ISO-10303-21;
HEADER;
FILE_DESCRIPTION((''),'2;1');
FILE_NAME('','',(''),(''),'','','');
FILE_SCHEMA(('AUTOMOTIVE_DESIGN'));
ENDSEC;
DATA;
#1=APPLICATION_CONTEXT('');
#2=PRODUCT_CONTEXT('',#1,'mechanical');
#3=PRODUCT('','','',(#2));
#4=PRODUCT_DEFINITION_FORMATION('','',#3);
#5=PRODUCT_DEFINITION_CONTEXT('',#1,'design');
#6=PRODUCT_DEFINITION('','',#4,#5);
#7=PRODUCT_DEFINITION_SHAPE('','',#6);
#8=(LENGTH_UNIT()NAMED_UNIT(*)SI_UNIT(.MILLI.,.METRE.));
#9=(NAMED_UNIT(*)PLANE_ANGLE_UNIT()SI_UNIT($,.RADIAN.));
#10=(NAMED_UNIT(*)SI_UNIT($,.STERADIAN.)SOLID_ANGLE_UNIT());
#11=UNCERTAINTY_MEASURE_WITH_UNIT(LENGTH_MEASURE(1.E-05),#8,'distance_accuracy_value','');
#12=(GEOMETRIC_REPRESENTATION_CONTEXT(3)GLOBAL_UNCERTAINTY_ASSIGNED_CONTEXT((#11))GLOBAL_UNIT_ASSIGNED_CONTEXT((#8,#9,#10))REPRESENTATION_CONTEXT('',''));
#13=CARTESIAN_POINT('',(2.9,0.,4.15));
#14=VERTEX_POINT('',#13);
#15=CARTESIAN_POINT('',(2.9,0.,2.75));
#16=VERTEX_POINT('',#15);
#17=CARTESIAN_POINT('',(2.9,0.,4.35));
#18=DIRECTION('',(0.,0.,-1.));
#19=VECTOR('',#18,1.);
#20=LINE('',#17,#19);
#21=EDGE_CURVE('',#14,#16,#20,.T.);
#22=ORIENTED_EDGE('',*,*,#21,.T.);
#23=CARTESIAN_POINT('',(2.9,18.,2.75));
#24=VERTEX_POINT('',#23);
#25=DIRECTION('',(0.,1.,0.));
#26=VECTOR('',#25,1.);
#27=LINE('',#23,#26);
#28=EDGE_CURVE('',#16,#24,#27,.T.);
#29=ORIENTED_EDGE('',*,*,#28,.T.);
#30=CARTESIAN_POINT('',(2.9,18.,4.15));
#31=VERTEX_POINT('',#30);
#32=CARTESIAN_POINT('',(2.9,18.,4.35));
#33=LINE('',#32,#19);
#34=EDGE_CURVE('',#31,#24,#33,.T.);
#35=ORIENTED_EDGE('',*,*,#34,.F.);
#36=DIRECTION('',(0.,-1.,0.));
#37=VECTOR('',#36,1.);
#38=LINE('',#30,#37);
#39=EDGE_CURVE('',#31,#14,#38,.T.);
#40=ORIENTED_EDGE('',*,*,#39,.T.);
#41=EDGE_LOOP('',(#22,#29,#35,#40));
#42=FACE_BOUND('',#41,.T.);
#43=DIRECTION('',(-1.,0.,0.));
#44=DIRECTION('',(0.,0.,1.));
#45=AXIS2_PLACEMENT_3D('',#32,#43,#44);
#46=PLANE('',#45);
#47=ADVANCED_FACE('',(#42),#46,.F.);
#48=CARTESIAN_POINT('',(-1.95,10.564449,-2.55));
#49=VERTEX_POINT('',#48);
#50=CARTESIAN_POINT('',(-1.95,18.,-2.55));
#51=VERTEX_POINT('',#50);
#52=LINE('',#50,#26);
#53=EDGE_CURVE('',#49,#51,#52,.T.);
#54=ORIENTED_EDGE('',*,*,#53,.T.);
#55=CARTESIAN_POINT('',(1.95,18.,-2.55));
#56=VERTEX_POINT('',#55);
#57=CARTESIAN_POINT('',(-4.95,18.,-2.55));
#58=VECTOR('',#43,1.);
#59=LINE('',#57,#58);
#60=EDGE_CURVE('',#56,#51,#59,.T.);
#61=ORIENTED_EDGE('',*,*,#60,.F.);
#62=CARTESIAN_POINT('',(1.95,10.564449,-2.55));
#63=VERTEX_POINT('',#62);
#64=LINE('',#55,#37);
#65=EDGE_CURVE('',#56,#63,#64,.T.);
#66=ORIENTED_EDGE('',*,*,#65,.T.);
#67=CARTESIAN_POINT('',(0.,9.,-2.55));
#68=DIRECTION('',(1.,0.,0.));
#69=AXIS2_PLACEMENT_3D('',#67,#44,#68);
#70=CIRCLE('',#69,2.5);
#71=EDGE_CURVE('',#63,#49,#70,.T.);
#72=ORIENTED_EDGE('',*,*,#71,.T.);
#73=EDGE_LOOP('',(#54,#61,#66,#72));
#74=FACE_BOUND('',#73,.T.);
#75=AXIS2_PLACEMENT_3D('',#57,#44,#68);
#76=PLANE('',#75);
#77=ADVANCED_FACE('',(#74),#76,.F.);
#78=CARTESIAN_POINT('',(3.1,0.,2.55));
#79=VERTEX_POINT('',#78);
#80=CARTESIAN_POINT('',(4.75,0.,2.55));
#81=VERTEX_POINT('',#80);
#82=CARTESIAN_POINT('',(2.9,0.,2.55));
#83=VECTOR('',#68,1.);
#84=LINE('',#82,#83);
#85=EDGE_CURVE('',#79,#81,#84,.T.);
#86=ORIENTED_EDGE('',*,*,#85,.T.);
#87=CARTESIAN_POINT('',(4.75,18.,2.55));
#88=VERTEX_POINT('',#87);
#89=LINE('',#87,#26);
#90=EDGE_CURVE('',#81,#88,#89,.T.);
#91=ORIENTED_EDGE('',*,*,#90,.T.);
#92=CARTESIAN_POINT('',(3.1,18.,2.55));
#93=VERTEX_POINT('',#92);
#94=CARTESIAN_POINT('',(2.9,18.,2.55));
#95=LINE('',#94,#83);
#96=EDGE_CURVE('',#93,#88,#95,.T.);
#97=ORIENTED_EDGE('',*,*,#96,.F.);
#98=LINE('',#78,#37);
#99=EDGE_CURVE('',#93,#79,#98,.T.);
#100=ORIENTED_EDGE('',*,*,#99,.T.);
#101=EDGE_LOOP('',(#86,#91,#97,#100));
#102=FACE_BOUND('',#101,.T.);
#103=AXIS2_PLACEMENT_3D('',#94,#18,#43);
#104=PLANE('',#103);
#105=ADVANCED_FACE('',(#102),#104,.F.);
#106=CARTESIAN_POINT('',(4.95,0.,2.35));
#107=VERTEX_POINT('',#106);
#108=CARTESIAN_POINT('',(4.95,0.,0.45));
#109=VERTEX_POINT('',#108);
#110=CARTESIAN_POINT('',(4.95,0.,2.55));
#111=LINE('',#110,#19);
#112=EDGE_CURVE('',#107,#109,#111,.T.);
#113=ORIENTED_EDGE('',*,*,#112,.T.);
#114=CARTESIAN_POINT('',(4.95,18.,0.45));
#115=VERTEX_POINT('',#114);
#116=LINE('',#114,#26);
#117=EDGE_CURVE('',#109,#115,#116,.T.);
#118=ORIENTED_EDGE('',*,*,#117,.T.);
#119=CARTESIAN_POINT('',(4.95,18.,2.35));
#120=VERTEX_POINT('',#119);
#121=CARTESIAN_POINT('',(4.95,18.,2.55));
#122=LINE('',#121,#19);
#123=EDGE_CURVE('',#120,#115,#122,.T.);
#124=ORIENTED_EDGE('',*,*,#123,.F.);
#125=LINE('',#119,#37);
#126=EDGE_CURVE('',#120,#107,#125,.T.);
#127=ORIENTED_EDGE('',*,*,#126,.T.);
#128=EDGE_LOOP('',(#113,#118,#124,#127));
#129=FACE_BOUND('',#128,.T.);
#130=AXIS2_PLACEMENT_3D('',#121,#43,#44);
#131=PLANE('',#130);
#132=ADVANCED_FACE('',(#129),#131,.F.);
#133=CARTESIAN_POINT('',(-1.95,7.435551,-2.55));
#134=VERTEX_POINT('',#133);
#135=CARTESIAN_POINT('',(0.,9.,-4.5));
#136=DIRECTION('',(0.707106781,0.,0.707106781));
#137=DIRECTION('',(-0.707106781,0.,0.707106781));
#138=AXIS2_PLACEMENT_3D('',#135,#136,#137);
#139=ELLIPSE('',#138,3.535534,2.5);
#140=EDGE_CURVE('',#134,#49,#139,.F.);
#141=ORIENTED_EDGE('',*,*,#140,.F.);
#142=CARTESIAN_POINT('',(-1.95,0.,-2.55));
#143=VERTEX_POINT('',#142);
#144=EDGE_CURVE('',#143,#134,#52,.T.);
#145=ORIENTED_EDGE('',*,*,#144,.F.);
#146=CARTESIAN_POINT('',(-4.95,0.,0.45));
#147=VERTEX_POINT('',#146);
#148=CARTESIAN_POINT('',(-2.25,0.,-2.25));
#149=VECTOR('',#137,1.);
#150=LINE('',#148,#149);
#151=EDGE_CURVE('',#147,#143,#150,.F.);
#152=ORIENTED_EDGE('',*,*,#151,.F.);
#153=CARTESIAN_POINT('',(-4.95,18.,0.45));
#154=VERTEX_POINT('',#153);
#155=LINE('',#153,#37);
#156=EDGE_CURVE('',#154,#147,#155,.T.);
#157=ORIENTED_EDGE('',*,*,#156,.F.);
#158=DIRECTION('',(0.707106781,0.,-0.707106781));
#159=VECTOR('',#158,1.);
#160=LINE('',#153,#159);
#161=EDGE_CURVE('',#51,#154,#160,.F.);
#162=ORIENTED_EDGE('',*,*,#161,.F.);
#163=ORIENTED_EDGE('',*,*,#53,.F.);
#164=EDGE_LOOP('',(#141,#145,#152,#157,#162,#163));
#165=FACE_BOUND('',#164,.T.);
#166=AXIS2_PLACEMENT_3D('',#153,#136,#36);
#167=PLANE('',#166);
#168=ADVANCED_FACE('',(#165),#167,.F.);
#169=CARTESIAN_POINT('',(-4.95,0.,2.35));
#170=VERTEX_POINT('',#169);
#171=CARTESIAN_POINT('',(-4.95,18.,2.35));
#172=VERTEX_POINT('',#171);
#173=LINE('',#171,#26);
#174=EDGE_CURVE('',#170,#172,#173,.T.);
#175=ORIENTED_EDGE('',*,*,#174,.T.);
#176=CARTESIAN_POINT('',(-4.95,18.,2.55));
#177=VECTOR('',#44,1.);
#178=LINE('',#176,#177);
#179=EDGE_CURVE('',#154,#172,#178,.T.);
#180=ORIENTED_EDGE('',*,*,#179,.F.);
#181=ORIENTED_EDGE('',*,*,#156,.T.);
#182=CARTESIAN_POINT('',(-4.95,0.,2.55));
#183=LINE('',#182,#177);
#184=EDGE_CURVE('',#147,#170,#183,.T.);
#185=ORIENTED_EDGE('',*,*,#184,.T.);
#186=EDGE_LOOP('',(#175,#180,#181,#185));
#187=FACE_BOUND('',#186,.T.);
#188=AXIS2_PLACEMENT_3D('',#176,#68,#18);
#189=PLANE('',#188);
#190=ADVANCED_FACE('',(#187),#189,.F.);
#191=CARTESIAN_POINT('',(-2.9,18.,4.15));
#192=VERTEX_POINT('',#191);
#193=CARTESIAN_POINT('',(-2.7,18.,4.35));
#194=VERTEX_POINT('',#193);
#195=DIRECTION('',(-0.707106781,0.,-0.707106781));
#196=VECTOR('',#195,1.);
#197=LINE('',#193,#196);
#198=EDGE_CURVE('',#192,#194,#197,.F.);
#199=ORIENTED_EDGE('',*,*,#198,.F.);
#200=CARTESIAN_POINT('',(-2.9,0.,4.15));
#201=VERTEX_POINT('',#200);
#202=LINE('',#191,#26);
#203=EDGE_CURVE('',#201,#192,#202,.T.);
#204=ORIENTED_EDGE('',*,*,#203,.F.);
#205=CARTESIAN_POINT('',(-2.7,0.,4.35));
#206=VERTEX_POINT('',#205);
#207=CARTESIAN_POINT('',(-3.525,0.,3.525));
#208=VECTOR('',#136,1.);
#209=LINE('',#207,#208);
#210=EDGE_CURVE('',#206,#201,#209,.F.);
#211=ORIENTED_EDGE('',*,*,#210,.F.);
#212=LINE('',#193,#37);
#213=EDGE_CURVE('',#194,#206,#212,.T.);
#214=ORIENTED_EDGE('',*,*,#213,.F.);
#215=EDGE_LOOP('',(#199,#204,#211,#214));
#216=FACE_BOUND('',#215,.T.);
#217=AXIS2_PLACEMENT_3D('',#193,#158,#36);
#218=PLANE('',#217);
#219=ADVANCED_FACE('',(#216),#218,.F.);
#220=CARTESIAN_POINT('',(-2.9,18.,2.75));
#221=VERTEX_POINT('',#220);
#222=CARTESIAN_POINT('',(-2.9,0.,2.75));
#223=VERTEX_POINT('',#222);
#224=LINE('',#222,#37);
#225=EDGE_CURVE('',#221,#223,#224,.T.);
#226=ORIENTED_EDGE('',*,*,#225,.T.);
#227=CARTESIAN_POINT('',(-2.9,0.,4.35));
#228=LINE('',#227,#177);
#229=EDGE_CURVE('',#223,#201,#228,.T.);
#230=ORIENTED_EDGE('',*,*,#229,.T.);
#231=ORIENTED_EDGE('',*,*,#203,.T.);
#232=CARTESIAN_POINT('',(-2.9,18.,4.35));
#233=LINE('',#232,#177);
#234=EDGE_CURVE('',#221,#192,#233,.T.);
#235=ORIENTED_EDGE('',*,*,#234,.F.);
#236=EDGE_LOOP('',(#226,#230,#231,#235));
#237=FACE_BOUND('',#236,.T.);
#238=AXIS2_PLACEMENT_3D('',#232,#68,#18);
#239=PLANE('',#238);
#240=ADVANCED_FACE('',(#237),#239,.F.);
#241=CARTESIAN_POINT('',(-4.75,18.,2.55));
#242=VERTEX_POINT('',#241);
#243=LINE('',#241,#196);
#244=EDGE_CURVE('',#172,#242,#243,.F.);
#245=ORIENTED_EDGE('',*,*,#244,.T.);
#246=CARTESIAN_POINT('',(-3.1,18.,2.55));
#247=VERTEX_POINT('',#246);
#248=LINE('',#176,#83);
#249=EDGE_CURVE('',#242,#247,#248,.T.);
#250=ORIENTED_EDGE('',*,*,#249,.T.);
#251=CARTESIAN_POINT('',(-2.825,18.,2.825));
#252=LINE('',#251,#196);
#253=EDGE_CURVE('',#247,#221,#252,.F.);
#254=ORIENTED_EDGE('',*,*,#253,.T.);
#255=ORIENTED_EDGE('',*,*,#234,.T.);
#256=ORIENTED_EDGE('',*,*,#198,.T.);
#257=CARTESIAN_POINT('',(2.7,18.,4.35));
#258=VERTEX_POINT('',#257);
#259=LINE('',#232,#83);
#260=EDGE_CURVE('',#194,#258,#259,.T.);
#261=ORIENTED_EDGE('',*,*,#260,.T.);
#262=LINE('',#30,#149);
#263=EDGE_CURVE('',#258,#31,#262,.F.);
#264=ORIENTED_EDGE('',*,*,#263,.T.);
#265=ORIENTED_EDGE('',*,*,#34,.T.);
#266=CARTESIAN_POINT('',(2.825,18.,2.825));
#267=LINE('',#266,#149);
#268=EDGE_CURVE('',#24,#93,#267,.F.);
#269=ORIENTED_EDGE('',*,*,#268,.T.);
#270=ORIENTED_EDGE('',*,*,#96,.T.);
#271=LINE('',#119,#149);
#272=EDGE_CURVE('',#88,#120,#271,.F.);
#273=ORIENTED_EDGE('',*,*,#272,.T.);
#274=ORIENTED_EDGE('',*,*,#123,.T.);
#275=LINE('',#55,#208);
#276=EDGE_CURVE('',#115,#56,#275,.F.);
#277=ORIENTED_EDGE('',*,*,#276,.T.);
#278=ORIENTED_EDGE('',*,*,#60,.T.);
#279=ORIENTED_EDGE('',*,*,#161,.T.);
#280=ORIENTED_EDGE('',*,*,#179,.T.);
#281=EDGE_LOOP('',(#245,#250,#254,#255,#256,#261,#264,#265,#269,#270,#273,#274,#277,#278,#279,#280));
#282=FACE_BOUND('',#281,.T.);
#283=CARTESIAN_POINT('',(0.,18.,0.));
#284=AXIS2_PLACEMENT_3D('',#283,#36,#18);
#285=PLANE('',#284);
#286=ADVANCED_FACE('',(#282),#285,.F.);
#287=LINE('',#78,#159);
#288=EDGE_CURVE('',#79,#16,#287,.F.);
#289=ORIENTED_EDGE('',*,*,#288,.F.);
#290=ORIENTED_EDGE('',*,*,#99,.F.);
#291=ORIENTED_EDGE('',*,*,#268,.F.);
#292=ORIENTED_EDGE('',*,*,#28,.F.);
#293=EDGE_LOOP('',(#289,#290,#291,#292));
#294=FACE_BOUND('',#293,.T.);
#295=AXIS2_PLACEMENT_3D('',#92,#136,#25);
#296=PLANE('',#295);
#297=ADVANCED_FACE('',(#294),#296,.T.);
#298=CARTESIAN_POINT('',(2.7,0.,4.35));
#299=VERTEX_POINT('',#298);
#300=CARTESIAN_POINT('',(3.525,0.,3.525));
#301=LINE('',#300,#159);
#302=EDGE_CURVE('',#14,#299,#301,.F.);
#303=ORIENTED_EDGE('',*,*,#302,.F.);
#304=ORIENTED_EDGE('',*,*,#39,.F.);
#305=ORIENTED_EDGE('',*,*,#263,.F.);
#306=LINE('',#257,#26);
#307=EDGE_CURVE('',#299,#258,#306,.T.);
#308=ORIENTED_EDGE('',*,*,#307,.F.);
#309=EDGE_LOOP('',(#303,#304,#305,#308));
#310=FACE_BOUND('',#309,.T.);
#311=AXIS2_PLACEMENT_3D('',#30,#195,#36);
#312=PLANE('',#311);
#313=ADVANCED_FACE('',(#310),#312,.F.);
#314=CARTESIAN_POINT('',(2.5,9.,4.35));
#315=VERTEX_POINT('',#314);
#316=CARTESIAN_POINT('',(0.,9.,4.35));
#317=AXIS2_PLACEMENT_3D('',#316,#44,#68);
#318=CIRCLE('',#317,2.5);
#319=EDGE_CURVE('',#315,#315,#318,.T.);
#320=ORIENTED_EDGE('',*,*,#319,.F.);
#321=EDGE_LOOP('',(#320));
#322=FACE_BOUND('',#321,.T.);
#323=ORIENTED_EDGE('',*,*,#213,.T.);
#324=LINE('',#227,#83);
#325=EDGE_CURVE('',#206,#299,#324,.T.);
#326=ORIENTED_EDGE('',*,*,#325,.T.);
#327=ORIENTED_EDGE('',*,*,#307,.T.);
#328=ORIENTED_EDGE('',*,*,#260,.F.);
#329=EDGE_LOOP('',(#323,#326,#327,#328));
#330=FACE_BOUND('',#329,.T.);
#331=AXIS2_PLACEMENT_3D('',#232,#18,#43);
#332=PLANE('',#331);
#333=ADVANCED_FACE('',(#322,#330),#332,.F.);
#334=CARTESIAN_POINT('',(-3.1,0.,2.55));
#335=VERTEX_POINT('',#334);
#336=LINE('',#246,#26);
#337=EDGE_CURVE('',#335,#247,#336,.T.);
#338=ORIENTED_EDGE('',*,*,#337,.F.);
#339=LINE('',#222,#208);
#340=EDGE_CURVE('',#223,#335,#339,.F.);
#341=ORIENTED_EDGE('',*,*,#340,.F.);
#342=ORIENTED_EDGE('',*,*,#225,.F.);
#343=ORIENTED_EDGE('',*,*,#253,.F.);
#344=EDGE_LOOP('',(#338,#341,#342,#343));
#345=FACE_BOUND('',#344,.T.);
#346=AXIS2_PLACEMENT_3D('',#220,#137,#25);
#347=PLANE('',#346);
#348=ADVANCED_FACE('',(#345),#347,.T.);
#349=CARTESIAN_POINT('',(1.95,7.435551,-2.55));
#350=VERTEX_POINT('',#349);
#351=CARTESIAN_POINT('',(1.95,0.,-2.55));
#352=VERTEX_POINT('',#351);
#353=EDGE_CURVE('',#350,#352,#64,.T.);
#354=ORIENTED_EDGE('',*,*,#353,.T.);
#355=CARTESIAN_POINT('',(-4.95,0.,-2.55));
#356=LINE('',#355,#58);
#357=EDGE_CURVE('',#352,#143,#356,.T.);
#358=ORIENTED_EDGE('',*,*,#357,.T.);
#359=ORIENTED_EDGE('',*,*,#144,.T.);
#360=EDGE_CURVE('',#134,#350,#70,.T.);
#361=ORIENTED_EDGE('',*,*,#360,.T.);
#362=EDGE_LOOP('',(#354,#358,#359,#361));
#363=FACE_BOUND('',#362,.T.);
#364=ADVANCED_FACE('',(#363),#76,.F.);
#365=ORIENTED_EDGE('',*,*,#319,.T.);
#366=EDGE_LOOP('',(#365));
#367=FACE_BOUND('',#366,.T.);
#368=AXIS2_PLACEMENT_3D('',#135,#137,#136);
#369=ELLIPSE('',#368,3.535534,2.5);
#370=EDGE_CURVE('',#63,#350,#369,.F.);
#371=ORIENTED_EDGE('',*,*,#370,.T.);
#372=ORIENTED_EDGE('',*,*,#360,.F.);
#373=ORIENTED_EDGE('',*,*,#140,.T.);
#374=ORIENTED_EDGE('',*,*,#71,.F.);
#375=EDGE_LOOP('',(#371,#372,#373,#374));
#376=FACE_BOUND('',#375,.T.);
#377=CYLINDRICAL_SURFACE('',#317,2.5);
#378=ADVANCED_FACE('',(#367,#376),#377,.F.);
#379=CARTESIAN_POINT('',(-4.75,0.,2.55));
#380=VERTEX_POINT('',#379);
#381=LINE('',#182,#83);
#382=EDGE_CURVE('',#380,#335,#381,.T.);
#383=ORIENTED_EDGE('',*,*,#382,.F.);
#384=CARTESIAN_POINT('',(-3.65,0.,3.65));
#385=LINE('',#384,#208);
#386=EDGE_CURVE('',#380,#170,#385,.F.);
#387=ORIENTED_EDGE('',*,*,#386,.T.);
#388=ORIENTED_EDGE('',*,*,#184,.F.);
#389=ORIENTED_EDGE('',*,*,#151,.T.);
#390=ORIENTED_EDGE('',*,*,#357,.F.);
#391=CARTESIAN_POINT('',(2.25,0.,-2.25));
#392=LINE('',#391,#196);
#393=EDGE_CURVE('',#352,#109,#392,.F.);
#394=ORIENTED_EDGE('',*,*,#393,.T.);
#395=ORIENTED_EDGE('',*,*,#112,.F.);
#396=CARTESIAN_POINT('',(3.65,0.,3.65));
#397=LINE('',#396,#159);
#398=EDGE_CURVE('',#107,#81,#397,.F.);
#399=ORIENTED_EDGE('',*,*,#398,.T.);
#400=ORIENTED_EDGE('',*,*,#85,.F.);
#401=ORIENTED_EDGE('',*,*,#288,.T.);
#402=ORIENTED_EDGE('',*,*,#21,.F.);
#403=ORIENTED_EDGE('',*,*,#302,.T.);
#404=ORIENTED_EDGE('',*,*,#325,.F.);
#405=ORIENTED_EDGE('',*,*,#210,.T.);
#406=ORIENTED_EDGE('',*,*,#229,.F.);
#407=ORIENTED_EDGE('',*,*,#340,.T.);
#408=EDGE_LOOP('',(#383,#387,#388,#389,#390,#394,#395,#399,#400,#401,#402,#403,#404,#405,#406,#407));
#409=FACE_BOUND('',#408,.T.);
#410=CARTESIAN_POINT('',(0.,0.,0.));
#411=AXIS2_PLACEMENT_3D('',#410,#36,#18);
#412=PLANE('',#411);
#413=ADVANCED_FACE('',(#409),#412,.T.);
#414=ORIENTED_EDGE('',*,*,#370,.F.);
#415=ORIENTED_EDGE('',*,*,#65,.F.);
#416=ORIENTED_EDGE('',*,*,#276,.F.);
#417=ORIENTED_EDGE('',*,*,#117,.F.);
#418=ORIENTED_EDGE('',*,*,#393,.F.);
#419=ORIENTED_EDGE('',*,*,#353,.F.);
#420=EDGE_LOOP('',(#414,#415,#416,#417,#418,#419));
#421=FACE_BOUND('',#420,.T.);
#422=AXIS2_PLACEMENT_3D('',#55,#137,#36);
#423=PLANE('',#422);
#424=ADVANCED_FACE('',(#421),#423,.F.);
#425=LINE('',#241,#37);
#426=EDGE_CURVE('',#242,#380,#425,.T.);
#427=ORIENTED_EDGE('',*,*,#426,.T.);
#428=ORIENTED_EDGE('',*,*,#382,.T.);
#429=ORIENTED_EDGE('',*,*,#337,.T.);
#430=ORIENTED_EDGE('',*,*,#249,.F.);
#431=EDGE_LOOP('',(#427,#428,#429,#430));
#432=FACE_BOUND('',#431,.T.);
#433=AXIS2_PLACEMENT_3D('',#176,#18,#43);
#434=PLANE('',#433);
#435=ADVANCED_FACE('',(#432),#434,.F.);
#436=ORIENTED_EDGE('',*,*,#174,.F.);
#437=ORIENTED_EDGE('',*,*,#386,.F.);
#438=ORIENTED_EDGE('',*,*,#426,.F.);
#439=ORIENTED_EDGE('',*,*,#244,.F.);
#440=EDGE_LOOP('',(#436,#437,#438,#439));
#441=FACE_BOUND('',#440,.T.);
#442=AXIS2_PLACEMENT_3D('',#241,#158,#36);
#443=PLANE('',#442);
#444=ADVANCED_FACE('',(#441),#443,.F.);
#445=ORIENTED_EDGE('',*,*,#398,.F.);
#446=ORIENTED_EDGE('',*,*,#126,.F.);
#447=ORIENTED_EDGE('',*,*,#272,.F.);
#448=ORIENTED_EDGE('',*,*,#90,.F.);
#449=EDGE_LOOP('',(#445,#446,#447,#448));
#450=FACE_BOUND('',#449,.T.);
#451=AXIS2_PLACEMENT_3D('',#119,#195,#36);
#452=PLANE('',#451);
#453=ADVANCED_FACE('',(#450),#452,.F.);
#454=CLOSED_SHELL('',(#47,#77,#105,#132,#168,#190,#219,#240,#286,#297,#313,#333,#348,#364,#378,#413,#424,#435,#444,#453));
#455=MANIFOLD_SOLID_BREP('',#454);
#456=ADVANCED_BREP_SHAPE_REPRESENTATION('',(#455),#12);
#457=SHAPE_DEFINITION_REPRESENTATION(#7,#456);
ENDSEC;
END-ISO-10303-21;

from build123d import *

# Parameters (mm, degrees)
EXTRUDE_1_DEPTH    = 18
CHAMFER_1_SIZE     = 3
CHAMFER_2_SIZE     = 0.2
HOLE_WIZARD_M6_1_D = 5


with BuildPart() as part:
    # 草图1 → 凸台-拉伸1 (new body)
    with BuildSketch(Plane(origin=(0, 0, 0), x_dir=(1, 0, 0), z_dir=(0, 1, 0))):
        Polygon((2.9, -2.55), (4.95, -2.55), (4.95, 2.55), (-4.95, 2.55), (-4.95, -2.55), (-2.9, -2.55), (-2.9, -4.35), (2.9, -4.35), align=None)
    extrude(amount=EXTRUDE_1_DEPTH)

    # 倒角1
    chamfer_1_edges = [part.edges().sort_by_distance(p)[0] for p in [
        (-4.95, 9, -2.55),
        (4.95, 9, -2.55),
    ]]
    chamfer(chamfer_1_edges, length=CHAMFER_1_SIZE)

    # 倒角2
    chamfer_2_edges = [part.edges().sort_by_distance(p)[0] for p in [
        (4.95, 9, 2.55),
        (2.9, 9, 2.55),
        (2.9, 9, 4.35),
        (-2.9, 9, 4.35),
        (-2.9, 9, 2.55),
        (-4.95, 9, 2.55),
    ]]
    chamfer(chamfer_2_edges, length=CHAMFER_2_SIZE)

    # M6 螺纹孔1 (through all)
    with Locations(Plane.XY.offset(4.35)):
        with Locations((0, 9)):
            Hole(HOLE_WIZARD_M6_1_D / 2)


solid = part.part
